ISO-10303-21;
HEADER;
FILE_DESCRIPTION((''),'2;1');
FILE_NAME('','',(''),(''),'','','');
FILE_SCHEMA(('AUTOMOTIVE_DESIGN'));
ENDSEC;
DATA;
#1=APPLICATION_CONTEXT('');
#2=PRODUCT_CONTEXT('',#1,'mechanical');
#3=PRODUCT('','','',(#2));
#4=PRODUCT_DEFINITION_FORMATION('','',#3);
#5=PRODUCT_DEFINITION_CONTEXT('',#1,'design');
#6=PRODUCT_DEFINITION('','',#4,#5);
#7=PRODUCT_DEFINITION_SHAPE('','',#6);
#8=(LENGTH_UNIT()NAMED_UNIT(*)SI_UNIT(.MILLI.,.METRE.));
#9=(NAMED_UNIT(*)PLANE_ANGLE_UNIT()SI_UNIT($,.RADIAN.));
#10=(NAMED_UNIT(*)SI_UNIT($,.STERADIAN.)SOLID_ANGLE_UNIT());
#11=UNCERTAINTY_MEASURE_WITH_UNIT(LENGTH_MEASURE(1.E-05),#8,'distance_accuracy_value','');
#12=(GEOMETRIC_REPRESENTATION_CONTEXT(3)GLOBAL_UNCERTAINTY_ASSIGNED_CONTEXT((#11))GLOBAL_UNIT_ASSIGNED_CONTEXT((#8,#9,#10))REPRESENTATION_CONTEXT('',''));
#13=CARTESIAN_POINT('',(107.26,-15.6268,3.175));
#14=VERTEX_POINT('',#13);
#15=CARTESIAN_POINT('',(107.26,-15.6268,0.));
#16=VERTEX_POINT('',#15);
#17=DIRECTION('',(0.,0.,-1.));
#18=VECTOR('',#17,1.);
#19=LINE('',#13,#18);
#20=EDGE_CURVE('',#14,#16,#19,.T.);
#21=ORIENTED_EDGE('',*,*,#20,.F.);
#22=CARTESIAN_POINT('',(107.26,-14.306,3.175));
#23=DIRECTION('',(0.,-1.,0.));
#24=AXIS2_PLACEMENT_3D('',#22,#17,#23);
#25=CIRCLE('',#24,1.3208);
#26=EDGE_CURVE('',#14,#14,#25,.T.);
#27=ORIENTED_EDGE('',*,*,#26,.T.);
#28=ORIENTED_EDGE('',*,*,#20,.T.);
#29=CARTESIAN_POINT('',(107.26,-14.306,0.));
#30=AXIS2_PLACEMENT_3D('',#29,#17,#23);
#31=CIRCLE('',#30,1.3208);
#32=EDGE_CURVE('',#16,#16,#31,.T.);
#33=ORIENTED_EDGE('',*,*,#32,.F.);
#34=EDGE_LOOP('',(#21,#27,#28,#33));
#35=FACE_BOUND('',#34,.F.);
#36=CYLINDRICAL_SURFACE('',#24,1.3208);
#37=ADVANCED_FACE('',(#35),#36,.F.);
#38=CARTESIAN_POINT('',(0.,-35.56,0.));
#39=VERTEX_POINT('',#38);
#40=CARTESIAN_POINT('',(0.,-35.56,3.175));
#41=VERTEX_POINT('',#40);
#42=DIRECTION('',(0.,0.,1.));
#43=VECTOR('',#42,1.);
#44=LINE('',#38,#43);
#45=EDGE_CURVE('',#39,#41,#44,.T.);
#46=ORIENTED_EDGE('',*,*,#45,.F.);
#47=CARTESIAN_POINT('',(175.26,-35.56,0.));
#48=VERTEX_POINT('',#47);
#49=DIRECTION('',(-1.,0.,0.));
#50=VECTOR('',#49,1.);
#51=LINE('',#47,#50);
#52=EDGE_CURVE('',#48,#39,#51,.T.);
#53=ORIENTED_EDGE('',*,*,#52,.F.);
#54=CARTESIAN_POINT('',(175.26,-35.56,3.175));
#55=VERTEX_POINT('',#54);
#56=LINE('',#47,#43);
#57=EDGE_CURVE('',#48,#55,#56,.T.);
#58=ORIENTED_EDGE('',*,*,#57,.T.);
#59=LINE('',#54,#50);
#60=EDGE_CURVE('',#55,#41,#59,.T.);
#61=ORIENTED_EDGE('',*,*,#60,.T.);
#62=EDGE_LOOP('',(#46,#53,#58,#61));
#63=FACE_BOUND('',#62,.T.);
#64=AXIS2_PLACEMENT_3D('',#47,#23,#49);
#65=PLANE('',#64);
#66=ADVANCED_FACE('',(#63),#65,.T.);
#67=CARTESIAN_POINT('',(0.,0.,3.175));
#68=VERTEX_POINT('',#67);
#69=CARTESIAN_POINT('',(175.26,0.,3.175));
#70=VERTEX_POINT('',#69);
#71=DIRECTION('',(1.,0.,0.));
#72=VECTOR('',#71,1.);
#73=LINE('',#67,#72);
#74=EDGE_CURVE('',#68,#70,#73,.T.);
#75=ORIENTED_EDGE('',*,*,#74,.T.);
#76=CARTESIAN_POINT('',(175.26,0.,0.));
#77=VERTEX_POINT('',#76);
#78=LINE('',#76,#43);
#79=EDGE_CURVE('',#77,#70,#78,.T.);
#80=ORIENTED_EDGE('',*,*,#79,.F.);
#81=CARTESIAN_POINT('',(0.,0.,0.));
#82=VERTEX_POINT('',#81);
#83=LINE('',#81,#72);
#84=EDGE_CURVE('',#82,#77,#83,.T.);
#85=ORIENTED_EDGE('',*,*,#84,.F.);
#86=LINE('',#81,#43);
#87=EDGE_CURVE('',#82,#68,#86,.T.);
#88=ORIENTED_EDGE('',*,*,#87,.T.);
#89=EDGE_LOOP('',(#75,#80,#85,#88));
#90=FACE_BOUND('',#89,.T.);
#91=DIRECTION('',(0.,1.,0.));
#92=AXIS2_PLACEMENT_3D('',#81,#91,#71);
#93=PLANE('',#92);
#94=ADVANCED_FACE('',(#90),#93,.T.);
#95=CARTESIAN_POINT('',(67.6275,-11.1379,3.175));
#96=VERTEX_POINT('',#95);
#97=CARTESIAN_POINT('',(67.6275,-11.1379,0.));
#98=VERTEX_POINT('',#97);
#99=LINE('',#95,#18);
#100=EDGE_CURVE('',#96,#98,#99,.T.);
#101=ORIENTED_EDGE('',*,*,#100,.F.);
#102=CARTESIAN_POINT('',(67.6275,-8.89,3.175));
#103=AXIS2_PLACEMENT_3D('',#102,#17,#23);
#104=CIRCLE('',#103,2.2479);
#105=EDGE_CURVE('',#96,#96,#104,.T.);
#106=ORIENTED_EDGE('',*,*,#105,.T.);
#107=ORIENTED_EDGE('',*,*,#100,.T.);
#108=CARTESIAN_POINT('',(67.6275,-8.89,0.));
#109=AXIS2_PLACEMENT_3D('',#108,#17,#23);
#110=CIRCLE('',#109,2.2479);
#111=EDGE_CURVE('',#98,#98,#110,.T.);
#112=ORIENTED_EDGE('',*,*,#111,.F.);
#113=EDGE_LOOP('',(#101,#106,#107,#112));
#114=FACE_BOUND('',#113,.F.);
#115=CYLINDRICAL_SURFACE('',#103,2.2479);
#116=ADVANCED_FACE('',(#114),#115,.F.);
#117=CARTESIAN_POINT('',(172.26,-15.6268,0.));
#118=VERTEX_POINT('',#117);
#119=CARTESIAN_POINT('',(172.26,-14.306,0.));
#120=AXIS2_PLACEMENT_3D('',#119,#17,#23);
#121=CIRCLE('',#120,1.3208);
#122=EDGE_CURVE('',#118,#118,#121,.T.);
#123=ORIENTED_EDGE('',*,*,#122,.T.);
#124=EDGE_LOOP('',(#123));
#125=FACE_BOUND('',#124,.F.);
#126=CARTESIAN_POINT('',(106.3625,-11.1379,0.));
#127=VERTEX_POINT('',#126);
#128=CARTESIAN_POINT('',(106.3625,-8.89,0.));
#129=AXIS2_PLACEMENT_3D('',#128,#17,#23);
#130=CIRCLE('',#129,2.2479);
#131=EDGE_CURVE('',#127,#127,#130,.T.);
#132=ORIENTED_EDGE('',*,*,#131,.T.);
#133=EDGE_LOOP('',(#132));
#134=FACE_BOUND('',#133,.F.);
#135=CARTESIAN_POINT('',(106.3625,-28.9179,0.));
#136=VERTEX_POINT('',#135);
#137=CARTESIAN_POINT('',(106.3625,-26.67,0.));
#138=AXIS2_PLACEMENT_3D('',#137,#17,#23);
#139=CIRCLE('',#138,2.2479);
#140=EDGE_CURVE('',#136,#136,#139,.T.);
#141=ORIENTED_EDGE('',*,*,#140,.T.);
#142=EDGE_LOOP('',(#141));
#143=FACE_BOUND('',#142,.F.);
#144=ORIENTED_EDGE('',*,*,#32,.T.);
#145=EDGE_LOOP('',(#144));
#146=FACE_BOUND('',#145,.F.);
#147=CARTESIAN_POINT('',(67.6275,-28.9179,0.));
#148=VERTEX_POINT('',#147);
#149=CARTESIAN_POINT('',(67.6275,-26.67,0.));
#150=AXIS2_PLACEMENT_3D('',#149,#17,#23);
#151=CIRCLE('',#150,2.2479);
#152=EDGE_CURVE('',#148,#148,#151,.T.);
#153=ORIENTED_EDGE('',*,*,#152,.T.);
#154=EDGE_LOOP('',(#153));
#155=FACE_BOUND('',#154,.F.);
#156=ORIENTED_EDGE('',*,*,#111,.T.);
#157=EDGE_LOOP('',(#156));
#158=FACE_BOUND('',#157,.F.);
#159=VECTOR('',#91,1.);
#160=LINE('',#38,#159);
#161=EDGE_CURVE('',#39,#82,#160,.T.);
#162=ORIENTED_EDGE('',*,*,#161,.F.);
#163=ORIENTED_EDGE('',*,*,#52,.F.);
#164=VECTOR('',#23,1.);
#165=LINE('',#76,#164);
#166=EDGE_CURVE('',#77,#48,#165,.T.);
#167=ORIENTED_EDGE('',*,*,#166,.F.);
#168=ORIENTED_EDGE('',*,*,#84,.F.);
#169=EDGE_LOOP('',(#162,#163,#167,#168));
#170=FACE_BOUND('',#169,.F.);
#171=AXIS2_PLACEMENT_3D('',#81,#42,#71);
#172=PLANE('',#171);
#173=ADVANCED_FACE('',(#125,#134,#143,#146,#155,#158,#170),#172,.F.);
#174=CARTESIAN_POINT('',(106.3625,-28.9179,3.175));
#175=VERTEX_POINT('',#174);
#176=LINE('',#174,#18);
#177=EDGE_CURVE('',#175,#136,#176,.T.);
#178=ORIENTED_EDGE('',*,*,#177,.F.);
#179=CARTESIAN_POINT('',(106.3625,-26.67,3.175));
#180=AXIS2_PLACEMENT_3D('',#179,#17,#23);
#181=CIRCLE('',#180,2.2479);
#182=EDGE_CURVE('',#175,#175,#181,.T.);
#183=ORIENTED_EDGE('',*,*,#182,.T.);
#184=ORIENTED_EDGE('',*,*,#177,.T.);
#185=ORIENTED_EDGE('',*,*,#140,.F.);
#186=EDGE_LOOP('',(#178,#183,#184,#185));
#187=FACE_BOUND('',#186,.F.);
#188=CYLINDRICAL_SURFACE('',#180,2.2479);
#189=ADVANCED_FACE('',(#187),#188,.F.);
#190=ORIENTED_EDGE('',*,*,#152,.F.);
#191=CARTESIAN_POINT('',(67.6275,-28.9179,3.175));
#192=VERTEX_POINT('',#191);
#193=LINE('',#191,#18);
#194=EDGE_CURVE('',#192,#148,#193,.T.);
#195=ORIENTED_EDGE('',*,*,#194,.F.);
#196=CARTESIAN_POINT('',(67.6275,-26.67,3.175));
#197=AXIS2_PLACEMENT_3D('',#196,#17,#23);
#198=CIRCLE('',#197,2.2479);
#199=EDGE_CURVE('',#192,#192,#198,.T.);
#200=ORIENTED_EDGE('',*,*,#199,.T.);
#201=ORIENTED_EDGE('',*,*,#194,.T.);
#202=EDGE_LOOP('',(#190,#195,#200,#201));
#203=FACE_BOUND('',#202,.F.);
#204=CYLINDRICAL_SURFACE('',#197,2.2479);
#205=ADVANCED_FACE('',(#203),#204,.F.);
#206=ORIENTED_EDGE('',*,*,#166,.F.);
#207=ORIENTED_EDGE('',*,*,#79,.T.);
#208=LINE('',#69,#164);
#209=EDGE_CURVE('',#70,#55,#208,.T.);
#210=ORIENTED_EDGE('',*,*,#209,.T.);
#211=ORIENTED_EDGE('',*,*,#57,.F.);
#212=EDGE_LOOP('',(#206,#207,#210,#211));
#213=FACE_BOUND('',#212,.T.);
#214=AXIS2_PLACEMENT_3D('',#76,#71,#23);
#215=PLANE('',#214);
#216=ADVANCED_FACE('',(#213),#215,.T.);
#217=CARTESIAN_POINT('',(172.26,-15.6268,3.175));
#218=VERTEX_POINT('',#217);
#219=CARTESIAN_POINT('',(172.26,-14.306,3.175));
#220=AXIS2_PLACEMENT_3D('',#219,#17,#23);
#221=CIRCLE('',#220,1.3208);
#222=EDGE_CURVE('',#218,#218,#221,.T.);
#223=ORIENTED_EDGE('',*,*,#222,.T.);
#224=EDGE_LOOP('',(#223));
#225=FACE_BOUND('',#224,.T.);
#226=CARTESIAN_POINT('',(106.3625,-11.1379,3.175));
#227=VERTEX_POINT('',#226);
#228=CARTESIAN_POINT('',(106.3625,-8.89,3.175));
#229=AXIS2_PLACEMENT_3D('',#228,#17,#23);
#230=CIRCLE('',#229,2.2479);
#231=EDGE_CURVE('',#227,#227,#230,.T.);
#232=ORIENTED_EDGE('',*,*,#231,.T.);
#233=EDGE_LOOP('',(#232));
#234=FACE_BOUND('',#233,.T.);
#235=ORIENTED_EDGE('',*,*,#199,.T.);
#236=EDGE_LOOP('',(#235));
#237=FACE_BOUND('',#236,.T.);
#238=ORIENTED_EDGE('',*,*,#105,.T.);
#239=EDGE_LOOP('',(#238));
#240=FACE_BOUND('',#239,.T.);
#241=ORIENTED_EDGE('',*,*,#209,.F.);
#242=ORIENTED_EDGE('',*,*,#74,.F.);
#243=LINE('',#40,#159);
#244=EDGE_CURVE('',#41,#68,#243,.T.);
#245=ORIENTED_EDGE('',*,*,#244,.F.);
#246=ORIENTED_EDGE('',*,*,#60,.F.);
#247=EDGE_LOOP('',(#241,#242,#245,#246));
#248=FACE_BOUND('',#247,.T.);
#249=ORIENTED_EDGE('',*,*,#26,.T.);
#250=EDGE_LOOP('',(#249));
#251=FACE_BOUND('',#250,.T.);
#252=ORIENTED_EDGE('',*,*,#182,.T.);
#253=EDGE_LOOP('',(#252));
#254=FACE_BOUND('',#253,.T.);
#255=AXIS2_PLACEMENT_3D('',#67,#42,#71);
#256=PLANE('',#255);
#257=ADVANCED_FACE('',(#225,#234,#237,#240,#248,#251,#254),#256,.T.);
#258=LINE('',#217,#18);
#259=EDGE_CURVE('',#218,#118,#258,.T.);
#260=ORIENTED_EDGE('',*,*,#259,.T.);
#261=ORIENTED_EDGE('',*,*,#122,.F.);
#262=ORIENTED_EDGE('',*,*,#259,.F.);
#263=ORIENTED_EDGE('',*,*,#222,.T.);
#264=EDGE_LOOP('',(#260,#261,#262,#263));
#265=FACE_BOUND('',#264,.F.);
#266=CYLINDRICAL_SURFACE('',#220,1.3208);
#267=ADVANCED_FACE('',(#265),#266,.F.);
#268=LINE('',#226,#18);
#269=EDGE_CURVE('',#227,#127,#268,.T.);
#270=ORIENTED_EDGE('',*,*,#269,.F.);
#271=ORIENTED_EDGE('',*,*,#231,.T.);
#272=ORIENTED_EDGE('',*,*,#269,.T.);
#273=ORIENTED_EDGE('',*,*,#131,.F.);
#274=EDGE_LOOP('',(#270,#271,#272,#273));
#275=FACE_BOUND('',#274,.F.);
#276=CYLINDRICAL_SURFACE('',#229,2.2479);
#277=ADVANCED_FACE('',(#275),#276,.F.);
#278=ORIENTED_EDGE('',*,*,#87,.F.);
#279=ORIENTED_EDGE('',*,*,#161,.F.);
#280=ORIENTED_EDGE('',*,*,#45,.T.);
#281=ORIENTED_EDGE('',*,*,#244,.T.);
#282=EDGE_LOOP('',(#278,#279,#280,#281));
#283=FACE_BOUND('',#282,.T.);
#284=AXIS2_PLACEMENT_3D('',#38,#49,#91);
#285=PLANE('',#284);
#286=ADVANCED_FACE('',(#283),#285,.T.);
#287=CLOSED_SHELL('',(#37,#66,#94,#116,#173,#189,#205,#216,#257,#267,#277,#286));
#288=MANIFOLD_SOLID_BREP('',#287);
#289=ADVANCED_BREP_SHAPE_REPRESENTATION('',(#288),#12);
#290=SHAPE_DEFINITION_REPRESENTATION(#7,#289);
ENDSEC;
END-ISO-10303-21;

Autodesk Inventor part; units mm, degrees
ref_plane "YZ Plane" through (0, 0, 0) normal (1, 0, 0) x (0, 1, 0)
ref_plane "XZ Plane" through (0, 0, 0) normal (0, 1, 0) x (-1, 0, 0)
ref_plane "XY Plane" through (0, 0, 0) normal (0, 0, 1) x (1, 0, 0)
sketch "Sketch1" plane through (0, 0, 0) normal (0, 0, 1) x (1, 0, 0)
  line L0 (0, 0) -> (175.26, 0)
  line L1 (175.26, 0) -> (175.26, -35.56)
  line L2 (175.26, -35.56) -> (0, -35.56)
  line L3 (0, -35.56) -> (0, 0)
  dimension "d0" = 175.26
  dimension "d1" = 35.56
extrude "Extrusion1" add sketch "Sketch1" along normal blind 3.175
sketch "Sketch7" plane through (0, 0, 3.175) normal (0, 0, 1) x (1, 0, 0)
  line L0 (0, 0) -> (175.26, 0) projected
  line L1 (175.26, -35.56) -> (0, -35.56) projected
  line L2 (111.125, 1.27) -> (111.125, -35.56)
  line L3 (111.125, 1.27) -> (101.6, 1.27)
  line L4 (101.6, -35.56) -> (101.6, 1.27)
  line L5 (111.125, -35.56) -> (101.6, -35.56)
  line L6 (62.865, 1.27) -> (62.865, -35.56)
  line L7 (62.865, -35.56) -> (72.39, -35.56)
  line L8 (72.39, -35.56) -> (72.39, 1.27)
  line L9 (62.865, 1.27) -> (72.39, 1.27)
  circle A0 centre (106.3625, -26.67) radius 1.651
  circle A1 centre (106.3625, -8.89) radius 1.651
  point P0 (67.6275, -8.89)
  point P1 (67.6275, -26.67)
  point P2 (106.3625, -8.89)
  point P3 (106.3625, -26.67)
  dimension "d97" = 26.67
  dimension "d98" = 8.89
  dimension "d99" = 8.89
  dimension "d100" = 26.67
  dimension "d101" = 8.89
hole "Hole5" at (67.6275, -8.89, 3.175) at (67.6275, -26.67, 3.175) at (106.3625, -8.89, 3.175) at (106.3625, -26.67, 3.175) direction (0, 0, -1) diameter 4.4958 end through all clearance for "Hex Machine Screw" size "#8" standard "Ansi Unified Screw Threads"
sketch "Sketch8" plane through (0, 0, 3.175) normal (0, 0, 1) x (1, 0, 0)
  arc A0 (172.26, -12.306) -> (172.26, -16.306) centre (172.26, -14.306) ccw projected
  arc A1 (107.26, -16.306) -> (107.26, -12.306) centre (107.26, -14.306) ccw projected
hole "Hole6" at (107.26, -14.306, 3.175) at (172.26, -14.306, 3.175) direction (0, 0, -1) diameter 2.6416 end through all thread size "6-32 UNC" class "2B" standard "ANSI Unified Screw Threads"
properties part number "Battery Board" material "Aluminum-6061"
